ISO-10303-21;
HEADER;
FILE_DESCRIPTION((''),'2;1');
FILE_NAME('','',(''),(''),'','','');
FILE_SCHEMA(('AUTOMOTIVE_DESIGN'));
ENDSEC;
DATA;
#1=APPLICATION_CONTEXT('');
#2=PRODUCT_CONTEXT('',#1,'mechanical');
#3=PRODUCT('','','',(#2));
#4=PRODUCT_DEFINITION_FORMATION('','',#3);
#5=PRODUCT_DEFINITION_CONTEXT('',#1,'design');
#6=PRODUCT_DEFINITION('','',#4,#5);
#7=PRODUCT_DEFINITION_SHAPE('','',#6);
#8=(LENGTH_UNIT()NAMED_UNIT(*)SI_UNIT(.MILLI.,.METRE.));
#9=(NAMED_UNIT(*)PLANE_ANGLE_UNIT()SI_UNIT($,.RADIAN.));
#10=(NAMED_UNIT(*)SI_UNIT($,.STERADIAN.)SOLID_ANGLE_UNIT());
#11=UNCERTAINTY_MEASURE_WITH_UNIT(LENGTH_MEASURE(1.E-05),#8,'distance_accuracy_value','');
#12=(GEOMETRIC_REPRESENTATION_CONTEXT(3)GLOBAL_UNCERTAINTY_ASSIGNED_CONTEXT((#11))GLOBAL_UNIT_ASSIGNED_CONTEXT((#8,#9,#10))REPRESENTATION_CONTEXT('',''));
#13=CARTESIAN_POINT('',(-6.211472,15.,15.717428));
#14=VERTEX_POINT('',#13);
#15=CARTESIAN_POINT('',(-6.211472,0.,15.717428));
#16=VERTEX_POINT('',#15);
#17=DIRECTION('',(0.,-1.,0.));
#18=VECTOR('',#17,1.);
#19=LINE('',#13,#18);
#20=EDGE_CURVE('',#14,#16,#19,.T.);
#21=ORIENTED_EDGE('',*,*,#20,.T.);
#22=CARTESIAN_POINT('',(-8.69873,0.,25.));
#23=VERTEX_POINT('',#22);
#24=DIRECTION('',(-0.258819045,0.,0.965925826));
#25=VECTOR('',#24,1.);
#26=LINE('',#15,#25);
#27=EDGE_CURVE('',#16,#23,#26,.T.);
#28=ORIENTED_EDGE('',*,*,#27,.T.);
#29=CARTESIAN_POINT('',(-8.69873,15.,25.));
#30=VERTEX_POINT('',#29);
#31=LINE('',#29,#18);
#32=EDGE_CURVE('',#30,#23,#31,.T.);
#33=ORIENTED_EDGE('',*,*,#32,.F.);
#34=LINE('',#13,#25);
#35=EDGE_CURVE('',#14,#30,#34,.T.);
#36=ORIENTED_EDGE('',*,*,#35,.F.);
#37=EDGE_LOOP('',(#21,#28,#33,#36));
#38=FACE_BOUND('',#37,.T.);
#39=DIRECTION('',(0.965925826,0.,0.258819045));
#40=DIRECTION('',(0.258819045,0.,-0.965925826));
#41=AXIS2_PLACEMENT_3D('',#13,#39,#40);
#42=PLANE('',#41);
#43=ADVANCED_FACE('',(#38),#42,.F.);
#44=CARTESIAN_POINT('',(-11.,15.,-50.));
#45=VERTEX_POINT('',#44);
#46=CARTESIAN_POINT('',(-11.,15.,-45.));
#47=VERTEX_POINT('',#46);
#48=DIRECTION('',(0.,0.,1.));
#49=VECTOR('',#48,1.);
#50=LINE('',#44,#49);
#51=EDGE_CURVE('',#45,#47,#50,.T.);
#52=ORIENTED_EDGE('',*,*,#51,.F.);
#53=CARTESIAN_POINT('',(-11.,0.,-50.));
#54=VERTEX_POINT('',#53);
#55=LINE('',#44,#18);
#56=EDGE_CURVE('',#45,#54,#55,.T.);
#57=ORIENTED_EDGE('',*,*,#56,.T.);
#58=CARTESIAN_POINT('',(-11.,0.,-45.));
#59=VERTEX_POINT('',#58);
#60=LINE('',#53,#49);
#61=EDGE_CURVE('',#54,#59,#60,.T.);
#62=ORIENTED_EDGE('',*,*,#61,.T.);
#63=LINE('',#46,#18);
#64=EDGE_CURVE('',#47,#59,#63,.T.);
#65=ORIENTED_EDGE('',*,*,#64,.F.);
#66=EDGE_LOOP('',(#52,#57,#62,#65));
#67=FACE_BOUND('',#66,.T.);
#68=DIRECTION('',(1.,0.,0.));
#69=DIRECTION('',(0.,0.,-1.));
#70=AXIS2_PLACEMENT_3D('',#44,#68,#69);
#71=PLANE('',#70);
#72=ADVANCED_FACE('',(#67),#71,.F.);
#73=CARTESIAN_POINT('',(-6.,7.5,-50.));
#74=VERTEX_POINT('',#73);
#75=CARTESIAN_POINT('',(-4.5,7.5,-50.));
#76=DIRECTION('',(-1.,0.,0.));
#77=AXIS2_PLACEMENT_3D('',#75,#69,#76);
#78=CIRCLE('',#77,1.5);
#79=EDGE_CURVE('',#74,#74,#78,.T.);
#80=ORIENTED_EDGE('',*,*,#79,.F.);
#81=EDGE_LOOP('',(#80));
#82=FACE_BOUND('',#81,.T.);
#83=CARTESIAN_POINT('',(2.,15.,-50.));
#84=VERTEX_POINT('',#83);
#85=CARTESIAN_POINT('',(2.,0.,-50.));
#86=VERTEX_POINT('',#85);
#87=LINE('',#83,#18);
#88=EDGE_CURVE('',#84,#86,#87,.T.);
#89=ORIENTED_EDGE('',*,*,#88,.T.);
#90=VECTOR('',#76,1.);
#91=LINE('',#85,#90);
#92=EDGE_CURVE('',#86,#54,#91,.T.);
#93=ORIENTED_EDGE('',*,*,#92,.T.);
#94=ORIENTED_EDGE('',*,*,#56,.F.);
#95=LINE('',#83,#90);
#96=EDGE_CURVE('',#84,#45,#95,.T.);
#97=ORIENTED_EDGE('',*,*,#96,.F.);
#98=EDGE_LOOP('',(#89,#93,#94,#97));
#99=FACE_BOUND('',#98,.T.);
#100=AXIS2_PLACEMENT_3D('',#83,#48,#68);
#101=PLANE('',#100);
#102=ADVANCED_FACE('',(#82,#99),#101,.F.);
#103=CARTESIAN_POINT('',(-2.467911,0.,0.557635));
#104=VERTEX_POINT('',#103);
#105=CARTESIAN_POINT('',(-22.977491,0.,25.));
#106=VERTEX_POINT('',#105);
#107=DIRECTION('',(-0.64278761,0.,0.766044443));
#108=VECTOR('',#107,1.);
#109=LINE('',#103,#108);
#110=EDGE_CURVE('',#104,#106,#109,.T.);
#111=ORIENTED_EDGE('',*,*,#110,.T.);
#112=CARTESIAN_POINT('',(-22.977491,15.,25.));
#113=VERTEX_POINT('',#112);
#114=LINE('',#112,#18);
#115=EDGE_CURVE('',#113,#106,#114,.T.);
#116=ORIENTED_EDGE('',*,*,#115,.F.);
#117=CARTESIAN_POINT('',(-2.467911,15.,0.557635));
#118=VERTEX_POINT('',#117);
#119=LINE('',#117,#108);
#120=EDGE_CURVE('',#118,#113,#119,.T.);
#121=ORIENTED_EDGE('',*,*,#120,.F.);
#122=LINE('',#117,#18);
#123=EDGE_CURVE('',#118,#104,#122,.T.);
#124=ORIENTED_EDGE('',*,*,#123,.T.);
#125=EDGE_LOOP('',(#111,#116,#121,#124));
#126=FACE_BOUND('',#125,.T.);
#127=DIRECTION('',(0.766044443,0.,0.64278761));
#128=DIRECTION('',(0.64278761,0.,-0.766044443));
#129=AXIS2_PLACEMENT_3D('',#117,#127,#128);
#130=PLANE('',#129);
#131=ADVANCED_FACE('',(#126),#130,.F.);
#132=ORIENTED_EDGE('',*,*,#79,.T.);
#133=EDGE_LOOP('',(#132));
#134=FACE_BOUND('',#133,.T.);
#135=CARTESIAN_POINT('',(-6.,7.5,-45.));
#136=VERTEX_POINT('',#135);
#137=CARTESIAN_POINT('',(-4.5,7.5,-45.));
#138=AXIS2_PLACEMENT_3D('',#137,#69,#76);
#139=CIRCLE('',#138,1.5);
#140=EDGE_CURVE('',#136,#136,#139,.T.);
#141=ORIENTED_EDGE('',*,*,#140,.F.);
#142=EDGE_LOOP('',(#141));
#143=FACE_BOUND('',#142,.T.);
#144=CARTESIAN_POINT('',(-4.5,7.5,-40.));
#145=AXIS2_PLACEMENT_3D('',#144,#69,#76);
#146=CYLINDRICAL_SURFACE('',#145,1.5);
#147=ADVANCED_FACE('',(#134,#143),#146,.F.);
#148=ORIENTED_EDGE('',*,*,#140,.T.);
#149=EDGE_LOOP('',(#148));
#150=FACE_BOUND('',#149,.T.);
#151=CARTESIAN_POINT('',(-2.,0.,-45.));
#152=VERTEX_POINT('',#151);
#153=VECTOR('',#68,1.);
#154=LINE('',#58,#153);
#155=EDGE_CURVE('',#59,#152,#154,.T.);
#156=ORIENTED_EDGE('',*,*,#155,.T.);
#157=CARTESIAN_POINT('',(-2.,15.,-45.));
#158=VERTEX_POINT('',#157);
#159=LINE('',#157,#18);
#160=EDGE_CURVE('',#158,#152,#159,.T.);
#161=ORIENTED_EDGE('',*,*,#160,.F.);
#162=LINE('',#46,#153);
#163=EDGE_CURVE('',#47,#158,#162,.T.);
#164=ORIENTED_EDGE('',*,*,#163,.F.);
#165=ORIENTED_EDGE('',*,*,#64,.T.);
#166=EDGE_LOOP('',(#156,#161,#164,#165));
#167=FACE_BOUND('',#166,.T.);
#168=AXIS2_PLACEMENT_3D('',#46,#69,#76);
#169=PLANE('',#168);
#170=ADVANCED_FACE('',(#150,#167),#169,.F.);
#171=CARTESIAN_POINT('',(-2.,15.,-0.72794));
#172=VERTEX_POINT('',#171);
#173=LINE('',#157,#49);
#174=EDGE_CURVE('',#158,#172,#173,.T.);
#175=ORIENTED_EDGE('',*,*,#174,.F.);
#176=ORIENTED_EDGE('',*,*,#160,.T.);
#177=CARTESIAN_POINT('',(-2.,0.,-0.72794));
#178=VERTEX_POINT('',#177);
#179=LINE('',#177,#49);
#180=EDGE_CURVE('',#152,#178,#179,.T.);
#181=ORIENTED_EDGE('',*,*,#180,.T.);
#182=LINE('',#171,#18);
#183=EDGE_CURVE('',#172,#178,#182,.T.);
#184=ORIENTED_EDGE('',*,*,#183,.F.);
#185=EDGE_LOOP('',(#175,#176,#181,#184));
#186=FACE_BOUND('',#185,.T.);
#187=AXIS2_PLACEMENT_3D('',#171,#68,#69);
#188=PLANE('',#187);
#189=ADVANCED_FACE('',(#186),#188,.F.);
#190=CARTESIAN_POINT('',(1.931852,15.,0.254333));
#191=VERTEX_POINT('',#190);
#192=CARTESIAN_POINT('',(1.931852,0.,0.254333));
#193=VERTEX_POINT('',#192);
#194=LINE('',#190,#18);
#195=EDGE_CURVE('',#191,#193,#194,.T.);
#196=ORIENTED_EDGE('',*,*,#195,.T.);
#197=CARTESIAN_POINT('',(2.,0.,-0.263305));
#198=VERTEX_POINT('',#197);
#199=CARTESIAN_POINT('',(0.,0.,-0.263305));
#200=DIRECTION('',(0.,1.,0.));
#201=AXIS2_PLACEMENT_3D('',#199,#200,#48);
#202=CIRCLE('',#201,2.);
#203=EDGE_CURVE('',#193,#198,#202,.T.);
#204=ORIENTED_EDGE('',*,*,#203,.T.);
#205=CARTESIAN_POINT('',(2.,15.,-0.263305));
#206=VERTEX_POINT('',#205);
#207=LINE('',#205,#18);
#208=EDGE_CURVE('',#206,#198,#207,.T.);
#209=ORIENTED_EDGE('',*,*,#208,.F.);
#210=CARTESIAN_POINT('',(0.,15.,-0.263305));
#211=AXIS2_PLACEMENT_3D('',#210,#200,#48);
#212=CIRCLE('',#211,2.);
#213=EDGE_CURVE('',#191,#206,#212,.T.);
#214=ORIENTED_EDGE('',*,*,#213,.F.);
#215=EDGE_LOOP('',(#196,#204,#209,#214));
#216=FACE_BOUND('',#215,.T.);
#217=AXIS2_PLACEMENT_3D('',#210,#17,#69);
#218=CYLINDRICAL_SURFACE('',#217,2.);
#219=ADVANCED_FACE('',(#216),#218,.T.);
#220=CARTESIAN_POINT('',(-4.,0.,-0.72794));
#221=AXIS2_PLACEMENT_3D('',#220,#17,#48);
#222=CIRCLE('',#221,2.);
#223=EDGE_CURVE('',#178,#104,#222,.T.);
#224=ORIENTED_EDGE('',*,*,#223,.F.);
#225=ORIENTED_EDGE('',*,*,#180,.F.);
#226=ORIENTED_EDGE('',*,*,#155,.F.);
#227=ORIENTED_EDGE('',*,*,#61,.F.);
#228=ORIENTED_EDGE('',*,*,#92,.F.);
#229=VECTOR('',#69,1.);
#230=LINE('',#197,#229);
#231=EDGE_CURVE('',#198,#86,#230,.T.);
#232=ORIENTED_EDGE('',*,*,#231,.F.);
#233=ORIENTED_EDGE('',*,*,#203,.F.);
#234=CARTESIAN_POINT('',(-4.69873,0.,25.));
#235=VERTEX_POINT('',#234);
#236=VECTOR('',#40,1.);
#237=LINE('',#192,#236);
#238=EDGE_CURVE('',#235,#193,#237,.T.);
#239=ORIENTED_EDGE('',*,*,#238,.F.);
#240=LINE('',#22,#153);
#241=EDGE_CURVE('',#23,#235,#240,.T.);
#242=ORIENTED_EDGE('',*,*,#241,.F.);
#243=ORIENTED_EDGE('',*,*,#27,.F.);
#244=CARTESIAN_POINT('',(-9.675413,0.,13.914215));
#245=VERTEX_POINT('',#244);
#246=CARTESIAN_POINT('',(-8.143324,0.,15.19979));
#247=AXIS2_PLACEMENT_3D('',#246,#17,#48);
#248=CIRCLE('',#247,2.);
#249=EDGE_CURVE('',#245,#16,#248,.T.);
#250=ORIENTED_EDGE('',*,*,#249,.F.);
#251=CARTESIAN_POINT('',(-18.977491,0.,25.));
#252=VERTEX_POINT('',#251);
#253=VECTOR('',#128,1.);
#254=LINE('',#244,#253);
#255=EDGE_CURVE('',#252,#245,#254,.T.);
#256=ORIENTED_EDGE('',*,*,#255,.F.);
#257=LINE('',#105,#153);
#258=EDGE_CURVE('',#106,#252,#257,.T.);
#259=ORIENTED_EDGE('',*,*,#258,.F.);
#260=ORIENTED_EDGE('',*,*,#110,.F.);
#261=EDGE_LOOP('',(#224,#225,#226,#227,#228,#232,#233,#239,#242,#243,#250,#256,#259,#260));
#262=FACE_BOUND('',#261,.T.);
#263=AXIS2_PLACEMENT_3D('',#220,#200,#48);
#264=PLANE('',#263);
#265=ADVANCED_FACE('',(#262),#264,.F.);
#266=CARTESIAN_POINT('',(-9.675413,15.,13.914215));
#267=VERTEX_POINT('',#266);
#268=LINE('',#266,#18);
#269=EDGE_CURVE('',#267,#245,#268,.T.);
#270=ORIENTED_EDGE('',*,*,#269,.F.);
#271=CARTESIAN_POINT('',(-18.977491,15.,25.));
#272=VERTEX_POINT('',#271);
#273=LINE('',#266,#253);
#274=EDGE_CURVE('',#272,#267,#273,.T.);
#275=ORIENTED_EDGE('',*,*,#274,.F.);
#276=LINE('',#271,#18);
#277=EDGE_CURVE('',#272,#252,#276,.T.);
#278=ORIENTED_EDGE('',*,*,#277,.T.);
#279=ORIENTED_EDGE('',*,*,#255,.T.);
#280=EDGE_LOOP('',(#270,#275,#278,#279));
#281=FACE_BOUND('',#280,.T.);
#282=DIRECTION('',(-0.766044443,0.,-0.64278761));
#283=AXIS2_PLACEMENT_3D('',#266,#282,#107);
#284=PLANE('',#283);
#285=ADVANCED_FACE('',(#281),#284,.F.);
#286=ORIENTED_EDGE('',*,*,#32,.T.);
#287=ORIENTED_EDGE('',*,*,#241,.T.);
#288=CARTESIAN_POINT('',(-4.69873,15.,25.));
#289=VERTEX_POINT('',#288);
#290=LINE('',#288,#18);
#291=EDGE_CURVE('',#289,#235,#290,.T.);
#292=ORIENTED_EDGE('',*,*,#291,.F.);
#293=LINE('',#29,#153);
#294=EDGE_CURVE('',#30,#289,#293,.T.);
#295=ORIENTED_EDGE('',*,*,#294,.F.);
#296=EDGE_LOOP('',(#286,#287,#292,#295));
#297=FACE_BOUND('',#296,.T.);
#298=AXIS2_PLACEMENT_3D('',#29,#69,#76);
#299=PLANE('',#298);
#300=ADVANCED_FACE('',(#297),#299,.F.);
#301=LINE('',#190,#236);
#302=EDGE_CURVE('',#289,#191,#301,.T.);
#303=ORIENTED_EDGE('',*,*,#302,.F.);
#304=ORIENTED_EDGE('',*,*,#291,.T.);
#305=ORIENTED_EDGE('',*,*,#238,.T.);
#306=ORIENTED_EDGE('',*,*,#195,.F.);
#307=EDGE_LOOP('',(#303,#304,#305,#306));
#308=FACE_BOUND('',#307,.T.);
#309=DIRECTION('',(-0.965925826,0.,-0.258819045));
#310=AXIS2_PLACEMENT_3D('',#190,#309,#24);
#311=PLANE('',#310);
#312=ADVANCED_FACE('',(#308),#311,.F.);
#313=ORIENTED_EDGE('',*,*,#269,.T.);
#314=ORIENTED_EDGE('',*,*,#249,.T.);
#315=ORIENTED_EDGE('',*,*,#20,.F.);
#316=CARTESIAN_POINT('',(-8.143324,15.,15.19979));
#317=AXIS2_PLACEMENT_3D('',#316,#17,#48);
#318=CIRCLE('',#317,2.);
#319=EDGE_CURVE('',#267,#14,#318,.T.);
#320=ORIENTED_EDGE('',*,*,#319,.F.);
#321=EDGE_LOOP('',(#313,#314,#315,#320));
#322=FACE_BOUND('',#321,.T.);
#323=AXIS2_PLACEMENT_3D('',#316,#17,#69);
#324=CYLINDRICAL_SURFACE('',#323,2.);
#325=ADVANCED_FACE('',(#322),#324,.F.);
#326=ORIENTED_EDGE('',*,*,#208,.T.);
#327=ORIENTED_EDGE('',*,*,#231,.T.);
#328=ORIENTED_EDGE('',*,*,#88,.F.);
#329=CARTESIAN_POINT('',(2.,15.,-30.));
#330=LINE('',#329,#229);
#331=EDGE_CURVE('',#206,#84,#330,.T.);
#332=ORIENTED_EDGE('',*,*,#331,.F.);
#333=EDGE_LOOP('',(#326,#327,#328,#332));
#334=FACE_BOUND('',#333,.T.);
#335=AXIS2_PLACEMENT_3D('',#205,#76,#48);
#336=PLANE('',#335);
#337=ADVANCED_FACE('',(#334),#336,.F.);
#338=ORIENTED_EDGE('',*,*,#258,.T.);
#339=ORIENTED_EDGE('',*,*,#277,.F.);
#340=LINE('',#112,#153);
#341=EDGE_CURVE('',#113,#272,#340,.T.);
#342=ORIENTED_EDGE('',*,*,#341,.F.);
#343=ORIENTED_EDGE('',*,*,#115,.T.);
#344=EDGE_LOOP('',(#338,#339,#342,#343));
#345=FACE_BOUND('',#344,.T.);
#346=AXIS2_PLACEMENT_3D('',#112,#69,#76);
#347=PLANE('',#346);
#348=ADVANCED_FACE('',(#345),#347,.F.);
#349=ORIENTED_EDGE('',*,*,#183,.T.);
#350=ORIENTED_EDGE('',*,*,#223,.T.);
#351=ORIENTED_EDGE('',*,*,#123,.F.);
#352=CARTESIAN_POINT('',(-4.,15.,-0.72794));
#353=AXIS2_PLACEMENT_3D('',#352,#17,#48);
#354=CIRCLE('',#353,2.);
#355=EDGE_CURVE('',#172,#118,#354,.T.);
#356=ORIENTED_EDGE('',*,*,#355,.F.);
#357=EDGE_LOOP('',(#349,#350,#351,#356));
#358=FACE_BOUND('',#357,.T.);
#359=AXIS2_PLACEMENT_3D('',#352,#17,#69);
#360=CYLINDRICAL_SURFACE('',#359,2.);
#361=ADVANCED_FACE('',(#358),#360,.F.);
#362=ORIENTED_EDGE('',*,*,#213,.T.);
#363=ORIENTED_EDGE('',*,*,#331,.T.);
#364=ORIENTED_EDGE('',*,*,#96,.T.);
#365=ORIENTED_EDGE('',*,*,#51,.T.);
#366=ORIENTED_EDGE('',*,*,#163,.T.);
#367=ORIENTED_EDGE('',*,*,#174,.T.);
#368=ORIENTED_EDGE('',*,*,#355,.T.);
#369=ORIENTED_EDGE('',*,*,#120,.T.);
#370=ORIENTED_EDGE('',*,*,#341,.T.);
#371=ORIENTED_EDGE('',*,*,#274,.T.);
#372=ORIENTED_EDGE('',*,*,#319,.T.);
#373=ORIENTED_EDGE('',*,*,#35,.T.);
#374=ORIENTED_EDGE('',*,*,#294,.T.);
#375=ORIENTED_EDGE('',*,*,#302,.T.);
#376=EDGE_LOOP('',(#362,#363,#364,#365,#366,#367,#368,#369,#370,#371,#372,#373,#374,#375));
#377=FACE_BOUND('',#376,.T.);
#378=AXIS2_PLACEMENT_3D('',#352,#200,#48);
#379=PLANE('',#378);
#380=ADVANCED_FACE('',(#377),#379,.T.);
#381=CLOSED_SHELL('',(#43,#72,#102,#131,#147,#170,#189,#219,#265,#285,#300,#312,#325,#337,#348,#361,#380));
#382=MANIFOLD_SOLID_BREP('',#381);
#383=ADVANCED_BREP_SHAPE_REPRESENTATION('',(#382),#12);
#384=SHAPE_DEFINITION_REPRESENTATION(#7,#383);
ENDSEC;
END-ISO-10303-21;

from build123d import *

# Parameters (mm, degrees)
BOSS_EXTRUDE1_DEPTH = 15
SKETCH3_R           = 1.5
CUT_EXTRUDE2_DEPTH  = 10


with BuildPart() as part:
    # Sketch1 → Boss-Extrude1 (new body)
    with BuildSketch(Plane(origin=(0, 0, 0), x_dir=(1, 0, 0), z_dir=(0, 1, 0))):
        with BuildLine():
            Line((-2, 0.727940469), (-2, 30))
            Line((-2, 30), (-2, 45))
            Line((-2, 45), (-11, 45))
            Line((-11, 45), (-11, 50))
            Line((-11, 50), (2, 50))
            Line((2, 50), (2, 30))
            Line((2, 30), (2, 0.263304995))
            ThreePointArc((2, 0.263304995), (1.982889723, 0.002252611), (1.931851653, -0.254333095))
            Line((1.931851653, -0.254333095), (-4.698729811, -25))
            Line((-4.698729811, -25), (-8.698729811, -25))
            Line((-8.698729811, -25), (-6.211472263, -15.717428462))
            ThreePointArc((-6.211472263, -15.717428462), (-7.219826689, -13.425768705), (-9.675412802, -13.914215152))
            Line((-9.675412802, -13.914215152), (-18.977490779, -25))
            Line((-18.977490779, -25), (-22.977490779, -25))
            Line((-22.977490779, -25), (-2.467911114, -0.557634751))
            ThreePointArc((-2.467911114, -0.557634751), (-2.120614758, 0.043900182), (-2, 0.727940469))
        make_face()
    extrude(amount=BOSS_EXTRUDE1_DEPTH)

    # Sketch3 → Cut-Extrude2 (cut)
    with BuildSketch(Plane(origin=(0, 0, -50), x_dir=(-1, 0, 0), z_dir=(0, 0, -1))):
        with Locations((4.5, 7.5)):
            Circle(SKETCH3_R)
    extrude(amount=-CUT_EXTRUDE2_DEPTH, mode=Mode.SUBTRACT)


solid = part.part
